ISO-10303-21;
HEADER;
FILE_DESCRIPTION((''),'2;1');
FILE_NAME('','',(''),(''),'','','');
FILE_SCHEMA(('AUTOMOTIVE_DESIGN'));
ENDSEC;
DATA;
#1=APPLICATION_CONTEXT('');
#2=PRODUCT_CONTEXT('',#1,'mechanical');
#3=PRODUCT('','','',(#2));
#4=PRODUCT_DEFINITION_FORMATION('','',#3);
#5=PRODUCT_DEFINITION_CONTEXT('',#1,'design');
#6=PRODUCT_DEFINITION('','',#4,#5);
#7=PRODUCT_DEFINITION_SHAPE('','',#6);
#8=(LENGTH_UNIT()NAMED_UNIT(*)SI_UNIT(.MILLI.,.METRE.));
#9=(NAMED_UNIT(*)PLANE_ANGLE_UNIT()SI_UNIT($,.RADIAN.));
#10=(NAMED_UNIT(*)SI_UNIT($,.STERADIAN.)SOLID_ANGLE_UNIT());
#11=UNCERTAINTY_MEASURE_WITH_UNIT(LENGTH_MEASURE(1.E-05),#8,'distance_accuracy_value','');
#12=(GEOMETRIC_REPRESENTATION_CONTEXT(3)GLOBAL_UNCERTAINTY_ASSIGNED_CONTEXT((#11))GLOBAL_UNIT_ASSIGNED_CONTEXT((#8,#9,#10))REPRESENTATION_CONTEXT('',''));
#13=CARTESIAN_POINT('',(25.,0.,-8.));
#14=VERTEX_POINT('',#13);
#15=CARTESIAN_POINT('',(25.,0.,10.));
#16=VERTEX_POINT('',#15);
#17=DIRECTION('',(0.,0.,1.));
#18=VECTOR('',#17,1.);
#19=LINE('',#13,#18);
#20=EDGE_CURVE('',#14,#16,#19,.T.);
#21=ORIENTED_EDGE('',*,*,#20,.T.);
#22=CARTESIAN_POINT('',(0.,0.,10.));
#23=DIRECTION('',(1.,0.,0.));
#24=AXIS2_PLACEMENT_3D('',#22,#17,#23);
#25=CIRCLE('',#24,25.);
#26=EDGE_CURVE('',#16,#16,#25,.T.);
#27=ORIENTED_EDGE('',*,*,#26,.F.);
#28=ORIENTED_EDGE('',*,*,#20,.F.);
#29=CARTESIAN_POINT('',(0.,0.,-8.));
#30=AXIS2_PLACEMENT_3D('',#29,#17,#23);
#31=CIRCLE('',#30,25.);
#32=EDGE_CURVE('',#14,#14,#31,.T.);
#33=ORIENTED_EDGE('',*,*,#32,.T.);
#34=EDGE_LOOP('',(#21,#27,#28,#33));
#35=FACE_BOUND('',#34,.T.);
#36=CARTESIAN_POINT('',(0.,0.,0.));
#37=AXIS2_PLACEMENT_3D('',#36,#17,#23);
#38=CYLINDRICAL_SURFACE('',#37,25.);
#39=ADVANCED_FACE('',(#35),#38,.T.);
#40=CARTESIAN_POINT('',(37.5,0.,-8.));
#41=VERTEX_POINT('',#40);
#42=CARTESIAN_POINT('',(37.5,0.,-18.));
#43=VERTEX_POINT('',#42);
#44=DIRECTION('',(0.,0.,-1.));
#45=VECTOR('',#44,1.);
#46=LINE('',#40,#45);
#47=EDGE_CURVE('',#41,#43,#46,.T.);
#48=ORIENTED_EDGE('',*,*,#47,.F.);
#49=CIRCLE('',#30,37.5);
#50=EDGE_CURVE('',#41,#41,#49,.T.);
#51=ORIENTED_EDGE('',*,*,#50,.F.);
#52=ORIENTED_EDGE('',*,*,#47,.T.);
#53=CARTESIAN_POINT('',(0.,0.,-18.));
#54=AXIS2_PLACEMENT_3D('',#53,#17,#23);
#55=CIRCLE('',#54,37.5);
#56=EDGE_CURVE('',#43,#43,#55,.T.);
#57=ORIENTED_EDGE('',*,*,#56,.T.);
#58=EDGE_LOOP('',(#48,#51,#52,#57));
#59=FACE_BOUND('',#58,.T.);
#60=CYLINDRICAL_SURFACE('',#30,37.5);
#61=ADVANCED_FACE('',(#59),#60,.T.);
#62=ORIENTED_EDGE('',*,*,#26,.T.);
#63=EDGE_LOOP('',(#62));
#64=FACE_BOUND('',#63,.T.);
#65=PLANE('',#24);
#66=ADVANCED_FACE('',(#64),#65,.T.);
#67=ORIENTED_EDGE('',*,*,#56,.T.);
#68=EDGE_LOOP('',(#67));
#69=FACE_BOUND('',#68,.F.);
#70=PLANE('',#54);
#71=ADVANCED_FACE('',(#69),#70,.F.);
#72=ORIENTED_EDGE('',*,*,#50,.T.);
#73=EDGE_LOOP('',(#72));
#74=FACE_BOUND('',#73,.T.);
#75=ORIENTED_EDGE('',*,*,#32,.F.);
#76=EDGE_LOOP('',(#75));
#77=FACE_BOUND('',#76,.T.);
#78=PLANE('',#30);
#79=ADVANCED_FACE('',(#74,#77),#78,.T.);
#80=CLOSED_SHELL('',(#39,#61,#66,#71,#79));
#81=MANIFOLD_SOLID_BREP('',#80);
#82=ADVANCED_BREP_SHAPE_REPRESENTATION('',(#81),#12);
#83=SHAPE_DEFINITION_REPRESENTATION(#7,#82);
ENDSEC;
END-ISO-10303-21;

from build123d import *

# Parameters (mm, degrees)
SKETCH_R       = 25
PAD_DEPTH      = 10
PAD_DEPTH_BACK = 8
SKETCH001_R    = 37.5
PAD001_DEPTH   = 10


with BuildPart() as part:
    # Sketch → Pad (new body, two sides)
    with BuildSketch(Plane.XY) as pad_sk:
        Circle(SKETCH_R)
    extrude(amount=PAD_DEPTH)
    extrude(pad_sk.sketch, amount=-PAD_DEPTH_BACK)

    # Sketch001 → Pad001 (join)
    with BuildSketch(Plane.XY.offset(-8)):
        Circle(SKETCH001_R)
    extrude(amount=-PAD001_DEPTH)


solid = part.part
